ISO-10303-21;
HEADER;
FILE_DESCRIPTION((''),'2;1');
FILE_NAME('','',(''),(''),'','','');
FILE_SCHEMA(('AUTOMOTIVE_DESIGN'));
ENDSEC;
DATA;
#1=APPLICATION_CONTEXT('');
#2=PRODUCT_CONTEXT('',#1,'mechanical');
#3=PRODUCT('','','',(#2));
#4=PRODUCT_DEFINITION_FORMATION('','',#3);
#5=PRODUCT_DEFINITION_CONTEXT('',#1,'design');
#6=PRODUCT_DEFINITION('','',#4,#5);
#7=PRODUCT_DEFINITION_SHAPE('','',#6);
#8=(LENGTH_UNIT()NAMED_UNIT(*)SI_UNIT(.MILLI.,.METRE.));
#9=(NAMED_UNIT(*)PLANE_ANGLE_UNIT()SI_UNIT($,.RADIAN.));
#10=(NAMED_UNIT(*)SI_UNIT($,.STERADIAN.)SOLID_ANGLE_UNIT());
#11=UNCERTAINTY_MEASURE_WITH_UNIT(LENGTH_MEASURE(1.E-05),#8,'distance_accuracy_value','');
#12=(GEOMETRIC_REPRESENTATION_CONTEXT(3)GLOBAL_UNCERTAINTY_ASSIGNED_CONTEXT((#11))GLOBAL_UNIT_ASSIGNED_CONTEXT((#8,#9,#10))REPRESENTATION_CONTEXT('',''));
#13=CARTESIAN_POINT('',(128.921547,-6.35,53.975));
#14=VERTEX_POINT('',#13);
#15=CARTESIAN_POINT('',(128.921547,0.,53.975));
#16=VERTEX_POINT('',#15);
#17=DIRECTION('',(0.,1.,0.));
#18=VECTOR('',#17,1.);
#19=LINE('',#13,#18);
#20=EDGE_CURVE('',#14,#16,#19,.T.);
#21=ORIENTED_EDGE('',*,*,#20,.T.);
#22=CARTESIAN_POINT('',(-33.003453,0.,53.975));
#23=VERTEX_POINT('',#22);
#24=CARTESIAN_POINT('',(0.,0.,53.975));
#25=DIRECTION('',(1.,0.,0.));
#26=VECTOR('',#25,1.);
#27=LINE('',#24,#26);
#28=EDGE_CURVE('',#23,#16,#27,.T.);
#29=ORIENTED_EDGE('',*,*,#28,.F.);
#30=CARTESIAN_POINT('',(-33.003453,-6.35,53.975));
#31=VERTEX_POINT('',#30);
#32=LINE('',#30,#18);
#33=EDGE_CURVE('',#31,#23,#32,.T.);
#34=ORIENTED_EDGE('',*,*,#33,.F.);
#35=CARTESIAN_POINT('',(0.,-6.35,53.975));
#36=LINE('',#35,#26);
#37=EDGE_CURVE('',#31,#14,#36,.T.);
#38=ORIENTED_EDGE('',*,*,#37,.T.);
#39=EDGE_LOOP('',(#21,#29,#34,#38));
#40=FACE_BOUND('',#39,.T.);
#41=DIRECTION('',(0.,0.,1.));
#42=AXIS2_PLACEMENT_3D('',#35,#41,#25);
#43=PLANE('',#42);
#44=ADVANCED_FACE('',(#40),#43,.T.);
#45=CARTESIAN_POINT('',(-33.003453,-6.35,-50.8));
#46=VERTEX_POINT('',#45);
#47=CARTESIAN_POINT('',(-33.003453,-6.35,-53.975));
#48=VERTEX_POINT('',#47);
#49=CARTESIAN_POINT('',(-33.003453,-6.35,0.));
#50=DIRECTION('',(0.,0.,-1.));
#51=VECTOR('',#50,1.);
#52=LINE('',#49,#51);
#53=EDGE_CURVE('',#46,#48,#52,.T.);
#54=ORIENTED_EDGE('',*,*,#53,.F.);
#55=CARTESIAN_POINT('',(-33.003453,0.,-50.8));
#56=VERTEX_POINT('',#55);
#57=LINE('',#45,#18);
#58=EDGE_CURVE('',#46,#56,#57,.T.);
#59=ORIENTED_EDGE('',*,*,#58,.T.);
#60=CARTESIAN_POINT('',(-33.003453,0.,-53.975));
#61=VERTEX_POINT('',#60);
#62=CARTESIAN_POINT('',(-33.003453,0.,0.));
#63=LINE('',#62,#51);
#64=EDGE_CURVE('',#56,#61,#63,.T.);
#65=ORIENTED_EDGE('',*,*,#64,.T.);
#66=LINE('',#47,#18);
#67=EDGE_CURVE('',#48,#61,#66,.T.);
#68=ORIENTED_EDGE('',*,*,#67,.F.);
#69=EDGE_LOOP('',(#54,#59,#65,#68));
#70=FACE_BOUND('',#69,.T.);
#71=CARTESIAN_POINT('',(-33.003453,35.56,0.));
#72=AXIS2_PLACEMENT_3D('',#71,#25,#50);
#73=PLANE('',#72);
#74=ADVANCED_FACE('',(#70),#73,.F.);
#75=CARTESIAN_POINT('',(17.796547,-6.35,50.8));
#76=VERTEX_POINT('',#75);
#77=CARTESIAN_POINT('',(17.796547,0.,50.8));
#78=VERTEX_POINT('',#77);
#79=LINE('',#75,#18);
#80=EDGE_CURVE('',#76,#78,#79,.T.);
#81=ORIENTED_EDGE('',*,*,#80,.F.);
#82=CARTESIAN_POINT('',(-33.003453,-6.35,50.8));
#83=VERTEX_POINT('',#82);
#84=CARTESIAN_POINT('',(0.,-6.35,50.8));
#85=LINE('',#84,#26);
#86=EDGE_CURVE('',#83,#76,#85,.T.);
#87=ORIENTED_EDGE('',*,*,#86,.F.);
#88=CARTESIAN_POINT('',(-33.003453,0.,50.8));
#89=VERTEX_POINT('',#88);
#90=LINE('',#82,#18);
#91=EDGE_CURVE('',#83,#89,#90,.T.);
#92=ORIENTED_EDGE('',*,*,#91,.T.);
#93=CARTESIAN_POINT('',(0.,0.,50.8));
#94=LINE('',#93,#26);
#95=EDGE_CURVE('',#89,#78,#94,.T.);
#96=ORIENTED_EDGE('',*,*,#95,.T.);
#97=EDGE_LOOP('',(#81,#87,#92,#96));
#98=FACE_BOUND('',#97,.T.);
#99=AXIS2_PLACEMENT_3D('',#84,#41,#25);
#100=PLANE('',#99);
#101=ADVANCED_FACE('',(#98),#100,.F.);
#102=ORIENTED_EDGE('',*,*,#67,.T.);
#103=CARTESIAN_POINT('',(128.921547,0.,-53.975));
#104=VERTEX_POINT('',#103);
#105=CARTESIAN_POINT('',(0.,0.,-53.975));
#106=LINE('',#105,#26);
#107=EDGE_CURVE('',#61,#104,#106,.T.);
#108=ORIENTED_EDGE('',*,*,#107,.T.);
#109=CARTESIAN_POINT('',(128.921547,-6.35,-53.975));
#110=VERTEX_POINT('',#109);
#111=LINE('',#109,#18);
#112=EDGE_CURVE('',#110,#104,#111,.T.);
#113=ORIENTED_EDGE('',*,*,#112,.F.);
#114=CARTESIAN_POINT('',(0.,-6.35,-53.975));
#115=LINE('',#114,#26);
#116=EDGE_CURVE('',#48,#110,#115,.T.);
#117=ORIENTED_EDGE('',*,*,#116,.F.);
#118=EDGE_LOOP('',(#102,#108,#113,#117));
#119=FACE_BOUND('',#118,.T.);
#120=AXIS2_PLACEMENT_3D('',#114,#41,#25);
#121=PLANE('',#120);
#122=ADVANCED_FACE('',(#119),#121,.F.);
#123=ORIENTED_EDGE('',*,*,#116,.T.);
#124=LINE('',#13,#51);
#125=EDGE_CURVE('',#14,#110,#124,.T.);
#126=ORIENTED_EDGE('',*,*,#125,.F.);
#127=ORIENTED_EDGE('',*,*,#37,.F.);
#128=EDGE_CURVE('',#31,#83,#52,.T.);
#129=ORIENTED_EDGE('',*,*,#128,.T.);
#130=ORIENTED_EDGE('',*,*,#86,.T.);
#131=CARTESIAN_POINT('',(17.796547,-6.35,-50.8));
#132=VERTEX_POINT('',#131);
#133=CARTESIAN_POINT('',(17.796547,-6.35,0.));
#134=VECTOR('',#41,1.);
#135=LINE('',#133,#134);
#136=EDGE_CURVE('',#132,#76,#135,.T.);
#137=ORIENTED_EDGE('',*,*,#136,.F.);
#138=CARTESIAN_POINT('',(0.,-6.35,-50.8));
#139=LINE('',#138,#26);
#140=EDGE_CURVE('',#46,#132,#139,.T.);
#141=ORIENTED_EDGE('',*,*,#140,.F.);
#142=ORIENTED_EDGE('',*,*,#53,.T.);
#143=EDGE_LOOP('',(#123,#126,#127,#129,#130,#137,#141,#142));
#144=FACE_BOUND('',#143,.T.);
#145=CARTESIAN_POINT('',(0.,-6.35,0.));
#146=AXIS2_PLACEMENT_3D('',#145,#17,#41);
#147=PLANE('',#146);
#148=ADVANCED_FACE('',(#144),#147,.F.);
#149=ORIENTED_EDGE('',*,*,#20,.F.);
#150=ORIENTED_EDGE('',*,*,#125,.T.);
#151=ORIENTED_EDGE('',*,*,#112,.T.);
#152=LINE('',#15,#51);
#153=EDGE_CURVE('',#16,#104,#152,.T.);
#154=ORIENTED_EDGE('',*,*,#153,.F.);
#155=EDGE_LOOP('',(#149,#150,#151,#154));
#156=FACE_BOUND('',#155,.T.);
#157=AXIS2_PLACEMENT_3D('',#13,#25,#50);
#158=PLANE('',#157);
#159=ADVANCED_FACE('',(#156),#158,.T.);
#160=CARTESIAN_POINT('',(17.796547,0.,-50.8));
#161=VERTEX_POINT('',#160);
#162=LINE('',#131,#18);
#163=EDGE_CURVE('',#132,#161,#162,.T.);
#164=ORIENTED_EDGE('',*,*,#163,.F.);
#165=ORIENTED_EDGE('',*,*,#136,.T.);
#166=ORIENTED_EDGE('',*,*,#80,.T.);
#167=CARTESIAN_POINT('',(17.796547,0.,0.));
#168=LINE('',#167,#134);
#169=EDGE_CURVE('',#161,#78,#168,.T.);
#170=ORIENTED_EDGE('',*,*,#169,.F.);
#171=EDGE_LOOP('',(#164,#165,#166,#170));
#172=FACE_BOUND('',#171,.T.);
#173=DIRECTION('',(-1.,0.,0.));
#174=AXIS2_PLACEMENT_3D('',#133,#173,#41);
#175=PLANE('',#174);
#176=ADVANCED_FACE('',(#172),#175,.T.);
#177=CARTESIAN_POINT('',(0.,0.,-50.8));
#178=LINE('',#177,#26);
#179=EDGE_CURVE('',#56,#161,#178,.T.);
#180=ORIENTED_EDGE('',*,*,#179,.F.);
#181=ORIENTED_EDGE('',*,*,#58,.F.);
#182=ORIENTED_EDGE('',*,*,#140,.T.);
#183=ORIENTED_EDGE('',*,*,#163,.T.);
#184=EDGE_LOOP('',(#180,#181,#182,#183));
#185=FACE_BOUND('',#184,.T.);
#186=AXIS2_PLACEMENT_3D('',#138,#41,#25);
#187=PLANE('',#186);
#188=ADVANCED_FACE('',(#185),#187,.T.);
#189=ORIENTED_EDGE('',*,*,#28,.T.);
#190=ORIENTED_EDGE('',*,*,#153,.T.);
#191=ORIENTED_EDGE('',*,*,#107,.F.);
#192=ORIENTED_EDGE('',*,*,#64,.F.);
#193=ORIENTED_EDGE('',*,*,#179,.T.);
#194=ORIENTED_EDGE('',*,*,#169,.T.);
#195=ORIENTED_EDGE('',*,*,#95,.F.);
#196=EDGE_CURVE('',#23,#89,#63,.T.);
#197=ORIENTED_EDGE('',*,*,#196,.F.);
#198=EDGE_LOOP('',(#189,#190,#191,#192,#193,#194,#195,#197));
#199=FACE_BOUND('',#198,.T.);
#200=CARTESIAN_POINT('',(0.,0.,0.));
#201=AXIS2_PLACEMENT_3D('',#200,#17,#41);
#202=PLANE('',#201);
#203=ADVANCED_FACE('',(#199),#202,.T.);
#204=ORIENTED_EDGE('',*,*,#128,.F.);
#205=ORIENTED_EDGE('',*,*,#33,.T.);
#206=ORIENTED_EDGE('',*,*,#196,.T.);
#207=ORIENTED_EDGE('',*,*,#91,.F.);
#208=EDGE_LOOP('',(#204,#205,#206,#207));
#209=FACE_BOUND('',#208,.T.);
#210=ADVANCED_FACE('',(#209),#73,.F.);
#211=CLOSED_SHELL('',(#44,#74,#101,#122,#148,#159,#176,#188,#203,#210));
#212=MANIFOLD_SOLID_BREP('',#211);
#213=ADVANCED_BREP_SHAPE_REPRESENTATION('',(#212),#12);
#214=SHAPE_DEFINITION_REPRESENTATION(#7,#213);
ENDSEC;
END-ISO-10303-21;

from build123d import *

# Parameters (mm, degrees)
SKETCH1_W               = 257.843094768
SKETCH1_H               = 107.95
BOSS_EXTRUDE1_DEPTH     = 6.35
BOSS_EXTRUDE2_DEPTH     = 19.05
SKETCH3_R               = 0.762
CUT_EXTRUDE1_DEPTH      = 6.35
SKETCH4_W               = 101.6
SKETCH4_H               = 101.6
CUT_EXTRUDE2_DEPTH      = 6.35
CUT_EXTRUDE3_DEPTH      = 35.56
CUT_EXTRUDE3_DEPTH_BACK = 45.974


with BuildPart() as part:
    # Sketch1 → Boss-Extrude1 (new body)
    with BuildSketch(Plane(origin=(0, 0, 0), x_dir=(1, 0, 0), z_dir=(0, 1, 0))):
        Rectangle(SKETCH1_W, SKETCH1_H)
    extrude(amount=-BOSS_EXTRUDE1_DEPTH)

    # Sketch1<3> → Boss-Extrude2 (add)
    with BuildSketch(Plane(origin=(0, 0, 0), x_dir=(1, 0, 0), z_dir=(0, 1, 0))):
        Polygon((-128.921547384, -53.975), (-122.571547384, -53.975), (-122.571547384, -45.339), (-125.746547384, -45.339), (-125.746547384, 45.339), (-122.571547384, 45.339), (-122.571547384, 53.975), (-128.921547384, 53.975), align=None)
        Polygon((-100.092547384, -45.339), (-100.092547384, -53.975), (-93.742547384, -53.975), (-93.742547384, 53.975), (-100.092547384, 53.975), (-100.092547384, 45.339), (-96.917547384, 45.339), (-96.917547384, -45.339), align=None)
    extrude(amount=BOSS_EXTRUDE2_DEPTH)

    # Sketch3 → Cut-Extrude1 (cut)
    with BuildSketch(Plane.XY.offset(53.975)):
        with Locations((-111.332047384, -1.651)):
            Circle(SKETCH3_R)
    cut_extrude1 = extrude(amount=-CUT_EXTRUDE1_DEPTH, mode=Mode.SUBTRACT)

    # Mirror1: Cut-Extrude1 across plane
    add(cut_extrude1.mirror(Plane.XY), mode=Mode.SUBTRACT)

    # Sketch4 → Cut-Extrude2 (cut)
    with BuildSketch(Plane(origin=(0, 0, 0), x_dir=(1, 0, 0), z_dir=(0, 1, 0))):
        with Locations((-33.003452616, 0)):
            Rectangle(SKETCH4_W, SKETCH4_H)
    extrude(amount=-CUT_EXTRUDE2_DEPTH, mode=Mode.SUBTRACT)

    # Sketch5 → Cut-Extrude3 (cut, two sides: drawn at the far end of the back side and taken through both)
    with BuildSketch(Plane(origin=(0, 0, 0), x_dir=(1, 0, 0), z_dir=(0, 1, 0)).offset(-CUT_EXTRUDE3_DEPTH_BACK)):
        Polygon((-33.003452616, -55.428475979), (-33.003452616, -50.8), (-33.003452616, 91.498778784), (-163.947958708, 91.498778784), (-163.947958708, -55.428475979), align=None)
    extrude(amount=CUT_EXTRUDE3_DEPTH + CUT_EXTRUDE3_DEPTH_BACK, mode=Mode.SUBTRACT)


solid = part.part
